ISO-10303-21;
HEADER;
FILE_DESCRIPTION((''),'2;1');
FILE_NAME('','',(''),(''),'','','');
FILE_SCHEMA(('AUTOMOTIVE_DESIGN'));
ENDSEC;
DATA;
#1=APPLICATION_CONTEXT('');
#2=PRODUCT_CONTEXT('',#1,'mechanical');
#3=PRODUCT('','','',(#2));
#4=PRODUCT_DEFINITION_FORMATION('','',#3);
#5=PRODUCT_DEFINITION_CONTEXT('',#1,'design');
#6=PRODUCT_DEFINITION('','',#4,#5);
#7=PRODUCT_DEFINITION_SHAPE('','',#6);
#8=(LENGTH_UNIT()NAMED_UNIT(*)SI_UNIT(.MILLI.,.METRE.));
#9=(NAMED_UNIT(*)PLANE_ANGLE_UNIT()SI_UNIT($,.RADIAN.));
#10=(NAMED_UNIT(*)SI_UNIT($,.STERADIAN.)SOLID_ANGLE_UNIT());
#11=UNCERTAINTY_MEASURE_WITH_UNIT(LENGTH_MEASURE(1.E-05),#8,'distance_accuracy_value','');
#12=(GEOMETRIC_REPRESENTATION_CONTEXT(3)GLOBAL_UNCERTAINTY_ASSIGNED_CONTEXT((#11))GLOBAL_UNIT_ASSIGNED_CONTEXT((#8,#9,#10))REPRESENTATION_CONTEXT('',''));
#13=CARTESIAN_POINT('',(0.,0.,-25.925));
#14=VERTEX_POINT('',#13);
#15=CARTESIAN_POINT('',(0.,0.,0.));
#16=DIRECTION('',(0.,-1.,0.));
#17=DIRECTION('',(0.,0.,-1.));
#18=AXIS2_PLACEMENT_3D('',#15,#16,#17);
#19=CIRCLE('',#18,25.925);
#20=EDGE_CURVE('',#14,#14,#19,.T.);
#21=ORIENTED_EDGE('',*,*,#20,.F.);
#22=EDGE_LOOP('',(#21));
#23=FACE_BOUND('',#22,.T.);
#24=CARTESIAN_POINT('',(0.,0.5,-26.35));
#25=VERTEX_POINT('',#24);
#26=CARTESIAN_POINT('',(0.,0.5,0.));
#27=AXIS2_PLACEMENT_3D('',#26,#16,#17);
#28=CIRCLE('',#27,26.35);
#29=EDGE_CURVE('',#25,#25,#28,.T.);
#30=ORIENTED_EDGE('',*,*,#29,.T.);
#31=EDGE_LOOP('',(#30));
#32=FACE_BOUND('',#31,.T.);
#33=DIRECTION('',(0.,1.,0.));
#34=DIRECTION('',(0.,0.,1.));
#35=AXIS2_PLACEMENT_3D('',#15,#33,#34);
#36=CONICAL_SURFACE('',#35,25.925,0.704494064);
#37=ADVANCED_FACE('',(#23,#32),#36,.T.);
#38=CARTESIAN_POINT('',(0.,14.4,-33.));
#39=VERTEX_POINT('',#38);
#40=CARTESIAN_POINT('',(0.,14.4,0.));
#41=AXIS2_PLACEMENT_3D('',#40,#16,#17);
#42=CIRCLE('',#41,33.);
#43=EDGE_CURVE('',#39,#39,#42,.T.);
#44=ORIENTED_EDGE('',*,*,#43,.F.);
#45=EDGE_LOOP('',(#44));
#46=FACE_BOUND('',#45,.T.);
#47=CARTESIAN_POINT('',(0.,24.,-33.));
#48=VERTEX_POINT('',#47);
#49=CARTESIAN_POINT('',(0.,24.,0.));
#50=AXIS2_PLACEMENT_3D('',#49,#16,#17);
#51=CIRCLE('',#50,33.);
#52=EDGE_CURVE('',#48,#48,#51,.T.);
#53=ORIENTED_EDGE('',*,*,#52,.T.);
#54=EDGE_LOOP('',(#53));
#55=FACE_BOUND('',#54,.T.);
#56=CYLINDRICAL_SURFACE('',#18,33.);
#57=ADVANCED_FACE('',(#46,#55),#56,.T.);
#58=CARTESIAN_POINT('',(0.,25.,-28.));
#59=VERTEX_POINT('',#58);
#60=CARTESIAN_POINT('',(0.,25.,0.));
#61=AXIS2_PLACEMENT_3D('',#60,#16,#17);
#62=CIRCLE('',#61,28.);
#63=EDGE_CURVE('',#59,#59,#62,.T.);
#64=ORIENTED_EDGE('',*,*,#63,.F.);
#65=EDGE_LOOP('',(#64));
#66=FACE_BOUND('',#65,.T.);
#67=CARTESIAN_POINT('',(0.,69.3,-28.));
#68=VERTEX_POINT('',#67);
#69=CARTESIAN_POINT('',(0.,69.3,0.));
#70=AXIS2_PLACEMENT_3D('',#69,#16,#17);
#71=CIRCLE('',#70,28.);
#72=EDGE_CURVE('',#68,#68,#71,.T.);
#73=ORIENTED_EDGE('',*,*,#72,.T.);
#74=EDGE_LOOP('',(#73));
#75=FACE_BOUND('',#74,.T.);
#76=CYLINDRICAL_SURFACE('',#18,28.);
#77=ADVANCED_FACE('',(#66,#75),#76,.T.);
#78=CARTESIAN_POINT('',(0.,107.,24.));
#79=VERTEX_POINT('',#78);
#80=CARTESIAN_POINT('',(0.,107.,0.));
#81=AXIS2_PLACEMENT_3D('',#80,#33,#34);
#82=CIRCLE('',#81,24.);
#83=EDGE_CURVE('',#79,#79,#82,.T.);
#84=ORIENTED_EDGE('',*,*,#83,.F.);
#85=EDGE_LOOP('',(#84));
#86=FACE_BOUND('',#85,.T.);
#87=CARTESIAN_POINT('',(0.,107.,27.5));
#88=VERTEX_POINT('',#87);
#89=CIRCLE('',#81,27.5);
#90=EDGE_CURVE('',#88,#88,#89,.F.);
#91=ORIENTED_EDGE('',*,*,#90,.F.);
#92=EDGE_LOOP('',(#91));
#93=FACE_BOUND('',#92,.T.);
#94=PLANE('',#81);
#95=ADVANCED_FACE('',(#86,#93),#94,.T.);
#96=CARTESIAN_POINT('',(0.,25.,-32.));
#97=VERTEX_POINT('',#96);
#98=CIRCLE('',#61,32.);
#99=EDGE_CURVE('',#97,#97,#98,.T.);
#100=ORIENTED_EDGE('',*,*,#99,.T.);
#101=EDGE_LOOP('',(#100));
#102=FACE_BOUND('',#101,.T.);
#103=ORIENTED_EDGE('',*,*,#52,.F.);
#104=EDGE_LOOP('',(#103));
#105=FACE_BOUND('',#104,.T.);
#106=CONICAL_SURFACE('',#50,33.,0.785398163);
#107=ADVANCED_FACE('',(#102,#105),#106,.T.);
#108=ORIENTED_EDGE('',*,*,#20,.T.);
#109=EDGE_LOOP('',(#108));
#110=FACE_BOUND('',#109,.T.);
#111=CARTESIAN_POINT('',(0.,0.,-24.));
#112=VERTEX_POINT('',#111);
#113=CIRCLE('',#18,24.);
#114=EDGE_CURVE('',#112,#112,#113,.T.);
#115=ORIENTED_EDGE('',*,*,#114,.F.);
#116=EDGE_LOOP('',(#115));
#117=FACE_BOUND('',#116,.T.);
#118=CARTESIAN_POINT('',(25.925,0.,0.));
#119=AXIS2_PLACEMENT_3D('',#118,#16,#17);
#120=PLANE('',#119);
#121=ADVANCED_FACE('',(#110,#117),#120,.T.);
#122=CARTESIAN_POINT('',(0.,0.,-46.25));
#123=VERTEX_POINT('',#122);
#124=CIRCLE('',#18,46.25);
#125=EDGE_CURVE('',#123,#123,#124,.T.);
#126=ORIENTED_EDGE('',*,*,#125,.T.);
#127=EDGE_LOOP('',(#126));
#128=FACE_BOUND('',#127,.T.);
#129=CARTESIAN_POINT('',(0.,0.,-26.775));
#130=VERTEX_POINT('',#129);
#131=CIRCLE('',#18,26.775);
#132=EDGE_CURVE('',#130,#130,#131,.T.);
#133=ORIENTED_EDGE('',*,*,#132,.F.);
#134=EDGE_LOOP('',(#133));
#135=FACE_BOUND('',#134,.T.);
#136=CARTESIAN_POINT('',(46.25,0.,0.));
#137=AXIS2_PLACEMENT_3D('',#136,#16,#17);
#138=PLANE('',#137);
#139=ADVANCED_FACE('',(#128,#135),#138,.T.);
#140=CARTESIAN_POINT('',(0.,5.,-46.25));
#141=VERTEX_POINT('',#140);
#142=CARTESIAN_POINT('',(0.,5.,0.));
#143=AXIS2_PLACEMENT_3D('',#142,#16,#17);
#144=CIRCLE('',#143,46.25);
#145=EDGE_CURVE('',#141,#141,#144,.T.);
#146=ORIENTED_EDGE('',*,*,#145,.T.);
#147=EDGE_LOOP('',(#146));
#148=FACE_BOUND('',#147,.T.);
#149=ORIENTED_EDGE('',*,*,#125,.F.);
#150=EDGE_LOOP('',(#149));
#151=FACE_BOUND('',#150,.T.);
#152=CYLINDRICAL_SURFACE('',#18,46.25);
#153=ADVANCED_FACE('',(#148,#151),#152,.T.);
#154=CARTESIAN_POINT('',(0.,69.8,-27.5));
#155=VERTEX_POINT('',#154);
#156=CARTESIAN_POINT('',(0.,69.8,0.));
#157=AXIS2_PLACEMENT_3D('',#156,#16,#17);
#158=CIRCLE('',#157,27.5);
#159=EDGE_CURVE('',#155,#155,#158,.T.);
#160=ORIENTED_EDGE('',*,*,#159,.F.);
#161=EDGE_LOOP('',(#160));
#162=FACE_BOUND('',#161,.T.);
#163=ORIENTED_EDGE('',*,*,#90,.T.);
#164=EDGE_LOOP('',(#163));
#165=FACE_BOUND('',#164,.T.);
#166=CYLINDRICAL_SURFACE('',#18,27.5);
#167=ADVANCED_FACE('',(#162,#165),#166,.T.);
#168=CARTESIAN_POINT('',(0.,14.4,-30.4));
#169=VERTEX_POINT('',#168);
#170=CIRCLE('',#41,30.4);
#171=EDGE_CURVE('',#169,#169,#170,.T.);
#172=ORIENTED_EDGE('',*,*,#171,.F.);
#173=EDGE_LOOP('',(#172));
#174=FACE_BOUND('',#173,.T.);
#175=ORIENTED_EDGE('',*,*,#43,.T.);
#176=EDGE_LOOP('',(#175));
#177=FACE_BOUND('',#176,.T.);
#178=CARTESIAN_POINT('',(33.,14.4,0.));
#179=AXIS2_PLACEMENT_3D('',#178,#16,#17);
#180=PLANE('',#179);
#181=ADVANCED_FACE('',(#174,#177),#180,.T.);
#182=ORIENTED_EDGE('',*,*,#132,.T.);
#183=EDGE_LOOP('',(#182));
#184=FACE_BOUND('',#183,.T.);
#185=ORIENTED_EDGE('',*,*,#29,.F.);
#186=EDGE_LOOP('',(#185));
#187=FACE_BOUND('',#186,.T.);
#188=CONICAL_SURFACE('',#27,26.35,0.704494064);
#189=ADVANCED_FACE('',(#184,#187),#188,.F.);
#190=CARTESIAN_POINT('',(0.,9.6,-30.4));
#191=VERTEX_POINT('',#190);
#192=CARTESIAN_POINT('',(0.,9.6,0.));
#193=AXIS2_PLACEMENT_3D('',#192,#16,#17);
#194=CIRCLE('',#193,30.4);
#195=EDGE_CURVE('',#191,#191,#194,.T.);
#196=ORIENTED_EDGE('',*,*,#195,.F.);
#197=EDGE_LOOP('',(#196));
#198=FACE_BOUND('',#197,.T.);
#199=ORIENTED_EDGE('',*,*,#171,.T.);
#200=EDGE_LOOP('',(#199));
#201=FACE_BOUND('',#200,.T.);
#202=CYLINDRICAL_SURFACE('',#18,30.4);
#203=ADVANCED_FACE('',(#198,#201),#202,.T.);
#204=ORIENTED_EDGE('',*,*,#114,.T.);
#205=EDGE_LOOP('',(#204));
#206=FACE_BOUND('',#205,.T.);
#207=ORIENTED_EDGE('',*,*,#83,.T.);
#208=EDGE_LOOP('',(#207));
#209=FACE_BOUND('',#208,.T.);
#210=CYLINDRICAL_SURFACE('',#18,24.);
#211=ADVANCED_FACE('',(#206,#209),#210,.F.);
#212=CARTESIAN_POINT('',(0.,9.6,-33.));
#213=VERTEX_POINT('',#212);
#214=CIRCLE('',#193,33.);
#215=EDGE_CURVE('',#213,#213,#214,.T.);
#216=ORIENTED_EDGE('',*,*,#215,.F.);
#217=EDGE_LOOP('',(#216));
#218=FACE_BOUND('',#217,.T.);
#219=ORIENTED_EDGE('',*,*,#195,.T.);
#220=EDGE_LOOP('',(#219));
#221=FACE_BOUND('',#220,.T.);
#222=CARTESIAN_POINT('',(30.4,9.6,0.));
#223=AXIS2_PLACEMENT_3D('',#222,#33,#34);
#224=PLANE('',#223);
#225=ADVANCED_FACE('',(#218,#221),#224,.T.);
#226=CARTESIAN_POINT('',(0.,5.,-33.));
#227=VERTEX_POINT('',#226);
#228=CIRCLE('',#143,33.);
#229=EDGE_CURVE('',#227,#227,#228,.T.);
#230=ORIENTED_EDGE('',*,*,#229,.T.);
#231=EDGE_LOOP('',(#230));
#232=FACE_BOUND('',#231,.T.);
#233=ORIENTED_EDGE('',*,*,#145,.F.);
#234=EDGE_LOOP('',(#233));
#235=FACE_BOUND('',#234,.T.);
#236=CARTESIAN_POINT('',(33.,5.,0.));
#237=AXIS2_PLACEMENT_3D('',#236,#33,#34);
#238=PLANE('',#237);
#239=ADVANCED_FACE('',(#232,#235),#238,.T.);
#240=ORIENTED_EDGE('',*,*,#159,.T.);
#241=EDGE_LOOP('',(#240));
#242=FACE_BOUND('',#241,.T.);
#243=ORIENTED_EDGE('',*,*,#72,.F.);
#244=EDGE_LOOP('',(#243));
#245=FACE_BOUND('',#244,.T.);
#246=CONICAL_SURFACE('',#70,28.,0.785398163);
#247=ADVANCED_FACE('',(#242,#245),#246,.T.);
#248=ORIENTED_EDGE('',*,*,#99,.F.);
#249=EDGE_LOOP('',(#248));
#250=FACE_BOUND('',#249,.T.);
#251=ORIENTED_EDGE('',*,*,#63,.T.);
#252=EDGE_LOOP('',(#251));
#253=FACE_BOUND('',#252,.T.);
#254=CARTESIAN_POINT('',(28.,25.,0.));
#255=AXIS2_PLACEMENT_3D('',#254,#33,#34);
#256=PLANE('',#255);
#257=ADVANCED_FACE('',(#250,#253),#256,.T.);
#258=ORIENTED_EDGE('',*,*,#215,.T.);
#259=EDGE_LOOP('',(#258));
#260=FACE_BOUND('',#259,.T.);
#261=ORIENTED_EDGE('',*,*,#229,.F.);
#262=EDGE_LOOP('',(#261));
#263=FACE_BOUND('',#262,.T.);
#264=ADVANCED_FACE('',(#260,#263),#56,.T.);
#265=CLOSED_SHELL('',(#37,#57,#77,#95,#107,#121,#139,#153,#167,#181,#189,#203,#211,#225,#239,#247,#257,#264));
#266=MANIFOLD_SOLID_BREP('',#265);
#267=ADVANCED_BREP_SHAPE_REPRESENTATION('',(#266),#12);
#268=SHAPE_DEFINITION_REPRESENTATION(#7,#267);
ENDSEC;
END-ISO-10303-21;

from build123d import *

# Parameters (mm, degrees)
SKETCH2_R          = 37.5
CUT_EXTRUDE1_DEPTH = 47


with BuildPart() as part:
    # Sketch1 → Revolve1 (revolve)
    with BuildSketch(Plane.XY, mode=Mode.PRIVATE) as revolve1_sk:
        Polygon((24, 154), (27.5, 154), (27.5, 69.8), (28, 69.3), (28, 25), (32, 25), (33, 24), (33, 14.4), (30.4, 14.4), (30.4, 9.6), (33, 9.6), (33, 5), (46.25, 5), (46.25, 0), (26.775, 0), (26.35, 0.5), (25.925, 0), (24, 0), align=None)
    revolve(revolve1_sk.sketch.rotate(Axis((0, 0, 0), (0, 1, 0)), 90), axis=Axis((0, 0, 0), (0, 1, 0)))

    # Sketch2 → Cut-Extrude1 (cut)
    with BuildSketch(Plane(origin=(0, 154, 0), x_dir=(1, 0, 0), z_dir=(0, 1, 0))):
        Circle(SKETCH2_R)
    extrude(amount=-CUT_EXTRUDE1_DEPTH, mode=Mode.SUBTRACT)


solid = part.part
